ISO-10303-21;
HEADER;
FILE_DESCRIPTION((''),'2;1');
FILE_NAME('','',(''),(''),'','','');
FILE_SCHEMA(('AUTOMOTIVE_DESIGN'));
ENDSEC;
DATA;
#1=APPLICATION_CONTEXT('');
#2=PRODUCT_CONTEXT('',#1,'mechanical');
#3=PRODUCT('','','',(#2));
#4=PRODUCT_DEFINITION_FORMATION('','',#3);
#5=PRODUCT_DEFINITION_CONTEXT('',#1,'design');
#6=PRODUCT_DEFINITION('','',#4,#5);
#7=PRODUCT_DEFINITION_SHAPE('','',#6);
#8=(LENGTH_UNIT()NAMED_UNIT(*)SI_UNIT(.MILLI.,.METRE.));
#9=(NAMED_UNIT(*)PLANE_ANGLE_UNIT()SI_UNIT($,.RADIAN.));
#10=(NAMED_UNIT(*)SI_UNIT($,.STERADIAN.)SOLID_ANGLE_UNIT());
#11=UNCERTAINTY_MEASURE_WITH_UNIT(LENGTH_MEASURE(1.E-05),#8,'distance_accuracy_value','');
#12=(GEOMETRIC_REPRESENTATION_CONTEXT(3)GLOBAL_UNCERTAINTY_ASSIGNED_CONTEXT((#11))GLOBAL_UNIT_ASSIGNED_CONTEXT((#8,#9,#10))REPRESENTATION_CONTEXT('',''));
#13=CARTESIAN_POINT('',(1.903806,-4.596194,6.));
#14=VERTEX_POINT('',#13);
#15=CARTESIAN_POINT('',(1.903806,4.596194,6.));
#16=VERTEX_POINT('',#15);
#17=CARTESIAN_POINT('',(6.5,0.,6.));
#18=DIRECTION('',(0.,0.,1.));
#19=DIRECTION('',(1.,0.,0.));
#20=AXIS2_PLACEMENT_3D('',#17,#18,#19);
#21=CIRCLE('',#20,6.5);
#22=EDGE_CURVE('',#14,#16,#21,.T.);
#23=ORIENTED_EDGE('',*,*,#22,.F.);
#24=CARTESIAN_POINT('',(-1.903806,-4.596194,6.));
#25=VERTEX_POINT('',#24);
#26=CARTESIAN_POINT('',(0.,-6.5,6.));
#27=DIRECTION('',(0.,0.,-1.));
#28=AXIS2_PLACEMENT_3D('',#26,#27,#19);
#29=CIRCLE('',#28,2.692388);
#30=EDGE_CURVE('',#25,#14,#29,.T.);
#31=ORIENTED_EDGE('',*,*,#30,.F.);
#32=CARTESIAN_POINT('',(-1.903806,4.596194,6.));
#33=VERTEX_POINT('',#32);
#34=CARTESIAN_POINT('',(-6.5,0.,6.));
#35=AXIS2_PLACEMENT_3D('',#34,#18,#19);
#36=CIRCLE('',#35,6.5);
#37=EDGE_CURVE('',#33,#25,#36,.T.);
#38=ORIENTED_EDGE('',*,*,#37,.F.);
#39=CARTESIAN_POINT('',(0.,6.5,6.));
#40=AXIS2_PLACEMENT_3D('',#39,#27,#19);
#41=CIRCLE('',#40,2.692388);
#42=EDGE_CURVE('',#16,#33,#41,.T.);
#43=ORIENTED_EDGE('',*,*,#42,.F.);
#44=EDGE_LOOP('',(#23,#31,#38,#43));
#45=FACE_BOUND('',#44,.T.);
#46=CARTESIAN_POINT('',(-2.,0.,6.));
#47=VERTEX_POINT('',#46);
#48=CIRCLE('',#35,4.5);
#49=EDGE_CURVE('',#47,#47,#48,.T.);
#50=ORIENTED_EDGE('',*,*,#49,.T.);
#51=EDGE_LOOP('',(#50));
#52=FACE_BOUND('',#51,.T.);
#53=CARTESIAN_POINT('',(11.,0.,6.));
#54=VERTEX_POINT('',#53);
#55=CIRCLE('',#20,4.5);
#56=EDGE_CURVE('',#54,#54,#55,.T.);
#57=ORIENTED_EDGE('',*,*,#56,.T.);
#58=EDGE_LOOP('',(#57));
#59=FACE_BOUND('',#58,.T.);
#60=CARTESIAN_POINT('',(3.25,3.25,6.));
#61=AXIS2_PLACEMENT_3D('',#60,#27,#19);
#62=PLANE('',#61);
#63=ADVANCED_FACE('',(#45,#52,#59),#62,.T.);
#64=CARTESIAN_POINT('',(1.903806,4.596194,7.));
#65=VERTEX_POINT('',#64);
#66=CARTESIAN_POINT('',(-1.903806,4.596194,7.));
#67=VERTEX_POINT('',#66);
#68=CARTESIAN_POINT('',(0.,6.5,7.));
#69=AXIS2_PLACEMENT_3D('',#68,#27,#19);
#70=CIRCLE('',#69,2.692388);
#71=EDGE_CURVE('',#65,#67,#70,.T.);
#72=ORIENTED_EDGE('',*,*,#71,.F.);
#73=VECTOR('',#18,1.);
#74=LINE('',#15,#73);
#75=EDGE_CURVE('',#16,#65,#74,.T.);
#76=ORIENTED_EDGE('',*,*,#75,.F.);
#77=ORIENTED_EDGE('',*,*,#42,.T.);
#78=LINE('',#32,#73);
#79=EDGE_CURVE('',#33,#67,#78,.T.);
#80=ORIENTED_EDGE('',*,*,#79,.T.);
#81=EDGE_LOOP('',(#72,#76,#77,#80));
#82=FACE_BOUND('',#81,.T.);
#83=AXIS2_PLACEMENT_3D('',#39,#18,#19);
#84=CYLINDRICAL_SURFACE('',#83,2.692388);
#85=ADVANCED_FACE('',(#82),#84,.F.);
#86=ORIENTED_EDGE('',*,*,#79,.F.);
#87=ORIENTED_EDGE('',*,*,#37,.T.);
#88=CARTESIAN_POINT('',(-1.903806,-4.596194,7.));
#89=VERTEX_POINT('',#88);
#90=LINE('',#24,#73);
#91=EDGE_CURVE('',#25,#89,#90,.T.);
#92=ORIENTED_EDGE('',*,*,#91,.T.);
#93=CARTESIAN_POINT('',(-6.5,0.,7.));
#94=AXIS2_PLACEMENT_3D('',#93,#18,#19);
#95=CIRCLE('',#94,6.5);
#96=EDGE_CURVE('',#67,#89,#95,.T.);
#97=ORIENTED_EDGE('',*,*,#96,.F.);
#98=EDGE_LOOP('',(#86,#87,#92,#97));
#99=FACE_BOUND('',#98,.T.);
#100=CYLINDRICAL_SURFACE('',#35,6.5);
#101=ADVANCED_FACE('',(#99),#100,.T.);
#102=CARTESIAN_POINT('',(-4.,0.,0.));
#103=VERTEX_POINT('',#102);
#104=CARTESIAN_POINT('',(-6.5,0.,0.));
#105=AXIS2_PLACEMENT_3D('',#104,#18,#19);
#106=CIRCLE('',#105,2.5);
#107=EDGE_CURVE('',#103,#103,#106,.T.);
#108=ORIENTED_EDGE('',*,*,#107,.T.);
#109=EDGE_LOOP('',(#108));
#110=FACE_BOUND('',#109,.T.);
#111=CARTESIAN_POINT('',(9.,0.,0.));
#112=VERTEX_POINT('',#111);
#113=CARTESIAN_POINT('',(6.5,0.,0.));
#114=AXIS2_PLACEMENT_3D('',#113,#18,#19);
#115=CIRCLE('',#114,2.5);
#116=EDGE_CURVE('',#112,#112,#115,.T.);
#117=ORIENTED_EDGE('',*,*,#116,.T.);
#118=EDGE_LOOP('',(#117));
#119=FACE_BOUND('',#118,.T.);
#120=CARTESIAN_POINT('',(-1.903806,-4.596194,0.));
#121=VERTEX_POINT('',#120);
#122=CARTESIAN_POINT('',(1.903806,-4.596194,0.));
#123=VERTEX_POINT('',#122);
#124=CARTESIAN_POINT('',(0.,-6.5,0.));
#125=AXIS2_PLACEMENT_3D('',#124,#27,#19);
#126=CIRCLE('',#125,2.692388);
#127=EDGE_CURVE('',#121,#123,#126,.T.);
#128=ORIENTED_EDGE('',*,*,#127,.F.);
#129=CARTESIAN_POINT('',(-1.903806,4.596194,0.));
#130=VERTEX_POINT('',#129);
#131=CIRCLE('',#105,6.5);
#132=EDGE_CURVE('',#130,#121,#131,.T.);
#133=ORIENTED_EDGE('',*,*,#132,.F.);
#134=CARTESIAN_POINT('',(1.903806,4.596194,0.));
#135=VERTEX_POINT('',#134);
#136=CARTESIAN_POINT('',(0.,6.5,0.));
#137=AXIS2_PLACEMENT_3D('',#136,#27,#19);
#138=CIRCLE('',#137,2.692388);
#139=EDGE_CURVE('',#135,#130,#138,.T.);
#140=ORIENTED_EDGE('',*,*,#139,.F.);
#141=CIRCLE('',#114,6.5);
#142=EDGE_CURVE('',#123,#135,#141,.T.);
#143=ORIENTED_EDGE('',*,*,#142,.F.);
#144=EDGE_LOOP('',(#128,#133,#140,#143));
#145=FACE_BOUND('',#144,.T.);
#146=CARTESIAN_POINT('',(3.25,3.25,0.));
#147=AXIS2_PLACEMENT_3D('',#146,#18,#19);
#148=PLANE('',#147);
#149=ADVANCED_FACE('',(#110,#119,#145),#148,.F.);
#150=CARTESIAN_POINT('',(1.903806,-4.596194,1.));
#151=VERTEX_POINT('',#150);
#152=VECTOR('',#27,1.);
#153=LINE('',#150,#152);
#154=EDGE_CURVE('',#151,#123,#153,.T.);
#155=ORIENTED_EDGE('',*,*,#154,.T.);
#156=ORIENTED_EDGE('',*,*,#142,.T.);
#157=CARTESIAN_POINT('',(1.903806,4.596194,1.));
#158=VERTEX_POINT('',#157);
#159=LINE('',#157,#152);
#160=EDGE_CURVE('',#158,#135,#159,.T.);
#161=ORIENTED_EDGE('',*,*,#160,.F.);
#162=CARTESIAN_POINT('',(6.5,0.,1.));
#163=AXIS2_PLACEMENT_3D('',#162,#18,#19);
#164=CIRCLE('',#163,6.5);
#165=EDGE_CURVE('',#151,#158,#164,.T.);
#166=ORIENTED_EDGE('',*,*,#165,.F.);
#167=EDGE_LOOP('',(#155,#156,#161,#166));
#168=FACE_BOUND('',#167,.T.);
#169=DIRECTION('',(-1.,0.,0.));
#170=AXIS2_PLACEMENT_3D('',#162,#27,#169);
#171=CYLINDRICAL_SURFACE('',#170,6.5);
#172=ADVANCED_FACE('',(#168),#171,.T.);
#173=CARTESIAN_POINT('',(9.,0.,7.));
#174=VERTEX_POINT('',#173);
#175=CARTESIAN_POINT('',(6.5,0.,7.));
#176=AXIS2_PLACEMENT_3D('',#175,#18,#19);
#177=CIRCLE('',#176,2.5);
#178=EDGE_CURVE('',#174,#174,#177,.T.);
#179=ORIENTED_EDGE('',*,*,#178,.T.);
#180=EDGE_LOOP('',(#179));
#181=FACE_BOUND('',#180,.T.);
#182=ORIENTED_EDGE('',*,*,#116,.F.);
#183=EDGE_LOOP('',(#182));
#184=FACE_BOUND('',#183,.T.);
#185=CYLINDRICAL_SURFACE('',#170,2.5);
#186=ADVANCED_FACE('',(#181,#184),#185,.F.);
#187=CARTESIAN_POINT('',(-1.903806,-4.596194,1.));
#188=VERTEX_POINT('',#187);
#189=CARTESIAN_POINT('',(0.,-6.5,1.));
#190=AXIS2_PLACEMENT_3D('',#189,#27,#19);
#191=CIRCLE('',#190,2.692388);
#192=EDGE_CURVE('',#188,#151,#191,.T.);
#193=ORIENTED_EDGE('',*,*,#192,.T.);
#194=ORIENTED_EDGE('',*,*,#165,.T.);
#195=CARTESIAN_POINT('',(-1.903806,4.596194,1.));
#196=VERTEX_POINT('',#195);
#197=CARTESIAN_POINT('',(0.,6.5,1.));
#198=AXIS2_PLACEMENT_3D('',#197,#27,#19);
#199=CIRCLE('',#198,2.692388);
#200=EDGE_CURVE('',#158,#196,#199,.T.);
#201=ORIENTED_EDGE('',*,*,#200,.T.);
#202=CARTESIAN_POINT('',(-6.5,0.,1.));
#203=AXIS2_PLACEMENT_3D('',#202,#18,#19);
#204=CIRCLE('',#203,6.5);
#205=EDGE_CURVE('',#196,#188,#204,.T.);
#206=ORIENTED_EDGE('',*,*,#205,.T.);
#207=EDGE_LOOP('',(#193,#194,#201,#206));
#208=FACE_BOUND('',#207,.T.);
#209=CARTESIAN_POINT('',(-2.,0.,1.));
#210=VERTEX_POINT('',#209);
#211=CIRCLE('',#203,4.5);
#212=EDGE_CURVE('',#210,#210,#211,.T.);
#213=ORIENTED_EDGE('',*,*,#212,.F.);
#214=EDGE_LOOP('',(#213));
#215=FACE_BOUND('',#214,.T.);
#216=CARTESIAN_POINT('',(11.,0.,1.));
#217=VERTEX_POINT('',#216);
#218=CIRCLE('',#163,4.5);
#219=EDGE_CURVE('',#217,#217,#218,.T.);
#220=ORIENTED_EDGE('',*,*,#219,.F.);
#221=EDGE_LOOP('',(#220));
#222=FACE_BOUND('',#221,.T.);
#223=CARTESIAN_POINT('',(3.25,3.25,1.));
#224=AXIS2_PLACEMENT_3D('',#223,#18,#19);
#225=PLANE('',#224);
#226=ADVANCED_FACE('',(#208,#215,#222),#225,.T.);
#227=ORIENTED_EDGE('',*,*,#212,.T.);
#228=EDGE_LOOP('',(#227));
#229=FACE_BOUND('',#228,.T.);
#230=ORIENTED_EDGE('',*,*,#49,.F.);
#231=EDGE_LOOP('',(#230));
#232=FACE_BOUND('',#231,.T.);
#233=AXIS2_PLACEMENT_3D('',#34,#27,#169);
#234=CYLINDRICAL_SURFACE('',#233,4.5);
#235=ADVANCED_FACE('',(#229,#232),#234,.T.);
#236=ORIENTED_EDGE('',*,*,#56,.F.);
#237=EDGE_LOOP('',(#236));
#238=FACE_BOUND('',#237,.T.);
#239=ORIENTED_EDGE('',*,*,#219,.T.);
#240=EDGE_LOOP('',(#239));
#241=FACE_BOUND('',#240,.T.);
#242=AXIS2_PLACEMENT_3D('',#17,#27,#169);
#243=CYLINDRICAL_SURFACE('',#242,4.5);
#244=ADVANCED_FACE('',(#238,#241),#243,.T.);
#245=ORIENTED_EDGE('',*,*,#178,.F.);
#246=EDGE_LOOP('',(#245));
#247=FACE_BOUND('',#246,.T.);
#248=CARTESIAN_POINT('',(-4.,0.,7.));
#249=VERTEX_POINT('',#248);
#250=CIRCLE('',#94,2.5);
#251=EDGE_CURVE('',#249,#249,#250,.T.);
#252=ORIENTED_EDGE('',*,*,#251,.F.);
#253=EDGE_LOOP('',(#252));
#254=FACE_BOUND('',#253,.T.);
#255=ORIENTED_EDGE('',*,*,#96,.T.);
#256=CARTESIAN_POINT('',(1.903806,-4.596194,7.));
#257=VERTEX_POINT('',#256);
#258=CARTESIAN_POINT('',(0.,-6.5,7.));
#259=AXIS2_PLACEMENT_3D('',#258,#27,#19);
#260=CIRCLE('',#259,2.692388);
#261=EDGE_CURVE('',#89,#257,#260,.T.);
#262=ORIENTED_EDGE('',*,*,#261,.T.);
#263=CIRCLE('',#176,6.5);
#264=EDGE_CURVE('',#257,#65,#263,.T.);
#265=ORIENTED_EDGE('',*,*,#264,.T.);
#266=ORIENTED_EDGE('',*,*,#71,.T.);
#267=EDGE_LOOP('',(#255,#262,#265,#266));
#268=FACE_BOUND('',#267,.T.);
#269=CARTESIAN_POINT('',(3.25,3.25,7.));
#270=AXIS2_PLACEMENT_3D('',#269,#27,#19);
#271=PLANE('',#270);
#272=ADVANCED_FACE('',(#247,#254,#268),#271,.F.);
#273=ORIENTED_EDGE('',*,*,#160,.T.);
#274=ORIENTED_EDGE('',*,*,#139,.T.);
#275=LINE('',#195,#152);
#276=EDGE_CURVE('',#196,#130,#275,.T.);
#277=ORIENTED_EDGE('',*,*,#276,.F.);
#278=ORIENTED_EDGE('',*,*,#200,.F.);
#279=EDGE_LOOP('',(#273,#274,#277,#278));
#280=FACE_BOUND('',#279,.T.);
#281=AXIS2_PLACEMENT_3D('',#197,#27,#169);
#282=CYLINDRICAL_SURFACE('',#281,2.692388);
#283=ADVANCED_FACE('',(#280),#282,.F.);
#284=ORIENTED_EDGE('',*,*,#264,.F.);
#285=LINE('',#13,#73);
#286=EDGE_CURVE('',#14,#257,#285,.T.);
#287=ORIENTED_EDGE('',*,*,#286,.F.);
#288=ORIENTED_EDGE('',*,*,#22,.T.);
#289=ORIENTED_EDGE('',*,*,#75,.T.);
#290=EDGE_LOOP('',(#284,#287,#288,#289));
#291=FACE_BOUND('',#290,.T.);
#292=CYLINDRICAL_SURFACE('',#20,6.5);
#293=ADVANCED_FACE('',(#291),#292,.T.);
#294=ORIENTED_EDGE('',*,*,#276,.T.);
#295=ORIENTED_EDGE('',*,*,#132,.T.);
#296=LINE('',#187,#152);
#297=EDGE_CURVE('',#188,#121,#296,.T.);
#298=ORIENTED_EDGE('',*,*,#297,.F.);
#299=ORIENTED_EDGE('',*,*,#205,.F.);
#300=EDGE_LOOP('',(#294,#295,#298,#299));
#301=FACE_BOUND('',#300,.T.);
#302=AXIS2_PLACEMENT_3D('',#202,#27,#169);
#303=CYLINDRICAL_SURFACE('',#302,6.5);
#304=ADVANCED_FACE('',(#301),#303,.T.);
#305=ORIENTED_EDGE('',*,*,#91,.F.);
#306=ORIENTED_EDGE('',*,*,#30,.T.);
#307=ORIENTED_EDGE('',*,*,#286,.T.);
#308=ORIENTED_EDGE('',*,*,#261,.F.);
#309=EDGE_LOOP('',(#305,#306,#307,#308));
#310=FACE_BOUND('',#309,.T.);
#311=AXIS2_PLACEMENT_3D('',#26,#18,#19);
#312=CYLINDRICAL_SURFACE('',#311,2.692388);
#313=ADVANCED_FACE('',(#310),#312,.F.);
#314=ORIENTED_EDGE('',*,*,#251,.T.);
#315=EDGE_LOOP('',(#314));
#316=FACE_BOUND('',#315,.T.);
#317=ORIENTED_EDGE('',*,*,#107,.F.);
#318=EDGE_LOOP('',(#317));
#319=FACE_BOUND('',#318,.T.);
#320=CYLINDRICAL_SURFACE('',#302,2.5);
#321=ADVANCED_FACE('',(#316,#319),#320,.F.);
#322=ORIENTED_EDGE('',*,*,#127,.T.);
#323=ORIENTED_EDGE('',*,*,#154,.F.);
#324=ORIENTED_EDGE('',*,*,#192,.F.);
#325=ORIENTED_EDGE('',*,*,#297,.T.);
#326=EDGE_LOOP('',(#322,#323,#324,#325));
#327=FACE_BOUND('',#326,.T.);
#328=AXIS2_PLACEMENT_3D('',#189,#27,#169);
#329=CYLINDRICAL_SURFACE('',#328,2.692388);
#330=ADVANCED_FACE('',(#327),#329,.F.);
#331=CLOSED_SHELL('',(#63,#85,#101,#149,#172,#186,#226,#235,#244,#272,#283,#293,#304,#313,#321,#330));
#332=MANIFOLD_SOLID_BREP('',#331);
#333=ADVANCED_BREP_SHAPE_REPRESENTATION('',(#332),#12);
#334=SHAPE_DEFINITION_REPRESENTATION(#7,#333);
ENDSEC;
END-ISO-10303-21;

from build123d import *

# Parameters (mm, degrees)
CROQUIS1_R              = 2.5
SALIENTE_EXTRUIR1_DEPTH = 1
CROQUIS2_R              = 4.5
CROQUIS2_R_2            = 2.5
SALIENTE_EXTRUIR2_DEPTH = 5


with BuildPart() as part:
    # Croquis1 → Saliente-Extruir1 (new body)
    with BuildSketch(Plane.XY):
        with BuildLine():
            ThreePointArc((-1.903805922, 4.596194078), (-13, 0), (-1.903805922, -4.596194078))
            ThreePointArc((-1.903805922, -4.596194078), (0, -3.807611845), (1.903805922, -4.596194078))
            ThreePointArc((1.903805922, -4.596194078), (13, 0), (1.903805922, 4.596194078))
            ThreePointArc((1.903805922, 4.596194078), (0, 3.807611845), (-1.903805922, 4.596194078))
        make_face()
        with Locations((-6.5, 0)):
            Circle(CROQUIS1_R, mode=Mode.SUBTRACT)
        with Locations((6.5, 0)):
            Circle(CROQUIS1_R, mode=Mode.SUBTRACT)
    saliente_extruir1 = extrude(amount=SALIENTE_EXTRUIR1_DEPTH)

    # Croquis2 → Saliente-Extruir2 (add)
    with BuildSketch(Plane.XY.offset(1)):
        with Locations((6.5, 0)):
            Circle(CROQUIS2_R)
        with Locations((6.5, 0)):
            Circle(CROQUIS2_R_2, mode=Mode.SUBTRACT)
        with Locations((-6.5, 0)):
            Circle(CROQUIS2_R)
        with Locations((-6.5, 0)):
            Circle(CROQUIS2_R_2, mode=Mode.SUBTRACT)
    extrude(amount=SALIENTE_EXTRUIR2_DEPTH)

    # Simetría1: Saliente-Extruir1 across plane
    add(saliente_extruir1.mirror(Plane.XY.offset(3.5)))


solid = part.part
